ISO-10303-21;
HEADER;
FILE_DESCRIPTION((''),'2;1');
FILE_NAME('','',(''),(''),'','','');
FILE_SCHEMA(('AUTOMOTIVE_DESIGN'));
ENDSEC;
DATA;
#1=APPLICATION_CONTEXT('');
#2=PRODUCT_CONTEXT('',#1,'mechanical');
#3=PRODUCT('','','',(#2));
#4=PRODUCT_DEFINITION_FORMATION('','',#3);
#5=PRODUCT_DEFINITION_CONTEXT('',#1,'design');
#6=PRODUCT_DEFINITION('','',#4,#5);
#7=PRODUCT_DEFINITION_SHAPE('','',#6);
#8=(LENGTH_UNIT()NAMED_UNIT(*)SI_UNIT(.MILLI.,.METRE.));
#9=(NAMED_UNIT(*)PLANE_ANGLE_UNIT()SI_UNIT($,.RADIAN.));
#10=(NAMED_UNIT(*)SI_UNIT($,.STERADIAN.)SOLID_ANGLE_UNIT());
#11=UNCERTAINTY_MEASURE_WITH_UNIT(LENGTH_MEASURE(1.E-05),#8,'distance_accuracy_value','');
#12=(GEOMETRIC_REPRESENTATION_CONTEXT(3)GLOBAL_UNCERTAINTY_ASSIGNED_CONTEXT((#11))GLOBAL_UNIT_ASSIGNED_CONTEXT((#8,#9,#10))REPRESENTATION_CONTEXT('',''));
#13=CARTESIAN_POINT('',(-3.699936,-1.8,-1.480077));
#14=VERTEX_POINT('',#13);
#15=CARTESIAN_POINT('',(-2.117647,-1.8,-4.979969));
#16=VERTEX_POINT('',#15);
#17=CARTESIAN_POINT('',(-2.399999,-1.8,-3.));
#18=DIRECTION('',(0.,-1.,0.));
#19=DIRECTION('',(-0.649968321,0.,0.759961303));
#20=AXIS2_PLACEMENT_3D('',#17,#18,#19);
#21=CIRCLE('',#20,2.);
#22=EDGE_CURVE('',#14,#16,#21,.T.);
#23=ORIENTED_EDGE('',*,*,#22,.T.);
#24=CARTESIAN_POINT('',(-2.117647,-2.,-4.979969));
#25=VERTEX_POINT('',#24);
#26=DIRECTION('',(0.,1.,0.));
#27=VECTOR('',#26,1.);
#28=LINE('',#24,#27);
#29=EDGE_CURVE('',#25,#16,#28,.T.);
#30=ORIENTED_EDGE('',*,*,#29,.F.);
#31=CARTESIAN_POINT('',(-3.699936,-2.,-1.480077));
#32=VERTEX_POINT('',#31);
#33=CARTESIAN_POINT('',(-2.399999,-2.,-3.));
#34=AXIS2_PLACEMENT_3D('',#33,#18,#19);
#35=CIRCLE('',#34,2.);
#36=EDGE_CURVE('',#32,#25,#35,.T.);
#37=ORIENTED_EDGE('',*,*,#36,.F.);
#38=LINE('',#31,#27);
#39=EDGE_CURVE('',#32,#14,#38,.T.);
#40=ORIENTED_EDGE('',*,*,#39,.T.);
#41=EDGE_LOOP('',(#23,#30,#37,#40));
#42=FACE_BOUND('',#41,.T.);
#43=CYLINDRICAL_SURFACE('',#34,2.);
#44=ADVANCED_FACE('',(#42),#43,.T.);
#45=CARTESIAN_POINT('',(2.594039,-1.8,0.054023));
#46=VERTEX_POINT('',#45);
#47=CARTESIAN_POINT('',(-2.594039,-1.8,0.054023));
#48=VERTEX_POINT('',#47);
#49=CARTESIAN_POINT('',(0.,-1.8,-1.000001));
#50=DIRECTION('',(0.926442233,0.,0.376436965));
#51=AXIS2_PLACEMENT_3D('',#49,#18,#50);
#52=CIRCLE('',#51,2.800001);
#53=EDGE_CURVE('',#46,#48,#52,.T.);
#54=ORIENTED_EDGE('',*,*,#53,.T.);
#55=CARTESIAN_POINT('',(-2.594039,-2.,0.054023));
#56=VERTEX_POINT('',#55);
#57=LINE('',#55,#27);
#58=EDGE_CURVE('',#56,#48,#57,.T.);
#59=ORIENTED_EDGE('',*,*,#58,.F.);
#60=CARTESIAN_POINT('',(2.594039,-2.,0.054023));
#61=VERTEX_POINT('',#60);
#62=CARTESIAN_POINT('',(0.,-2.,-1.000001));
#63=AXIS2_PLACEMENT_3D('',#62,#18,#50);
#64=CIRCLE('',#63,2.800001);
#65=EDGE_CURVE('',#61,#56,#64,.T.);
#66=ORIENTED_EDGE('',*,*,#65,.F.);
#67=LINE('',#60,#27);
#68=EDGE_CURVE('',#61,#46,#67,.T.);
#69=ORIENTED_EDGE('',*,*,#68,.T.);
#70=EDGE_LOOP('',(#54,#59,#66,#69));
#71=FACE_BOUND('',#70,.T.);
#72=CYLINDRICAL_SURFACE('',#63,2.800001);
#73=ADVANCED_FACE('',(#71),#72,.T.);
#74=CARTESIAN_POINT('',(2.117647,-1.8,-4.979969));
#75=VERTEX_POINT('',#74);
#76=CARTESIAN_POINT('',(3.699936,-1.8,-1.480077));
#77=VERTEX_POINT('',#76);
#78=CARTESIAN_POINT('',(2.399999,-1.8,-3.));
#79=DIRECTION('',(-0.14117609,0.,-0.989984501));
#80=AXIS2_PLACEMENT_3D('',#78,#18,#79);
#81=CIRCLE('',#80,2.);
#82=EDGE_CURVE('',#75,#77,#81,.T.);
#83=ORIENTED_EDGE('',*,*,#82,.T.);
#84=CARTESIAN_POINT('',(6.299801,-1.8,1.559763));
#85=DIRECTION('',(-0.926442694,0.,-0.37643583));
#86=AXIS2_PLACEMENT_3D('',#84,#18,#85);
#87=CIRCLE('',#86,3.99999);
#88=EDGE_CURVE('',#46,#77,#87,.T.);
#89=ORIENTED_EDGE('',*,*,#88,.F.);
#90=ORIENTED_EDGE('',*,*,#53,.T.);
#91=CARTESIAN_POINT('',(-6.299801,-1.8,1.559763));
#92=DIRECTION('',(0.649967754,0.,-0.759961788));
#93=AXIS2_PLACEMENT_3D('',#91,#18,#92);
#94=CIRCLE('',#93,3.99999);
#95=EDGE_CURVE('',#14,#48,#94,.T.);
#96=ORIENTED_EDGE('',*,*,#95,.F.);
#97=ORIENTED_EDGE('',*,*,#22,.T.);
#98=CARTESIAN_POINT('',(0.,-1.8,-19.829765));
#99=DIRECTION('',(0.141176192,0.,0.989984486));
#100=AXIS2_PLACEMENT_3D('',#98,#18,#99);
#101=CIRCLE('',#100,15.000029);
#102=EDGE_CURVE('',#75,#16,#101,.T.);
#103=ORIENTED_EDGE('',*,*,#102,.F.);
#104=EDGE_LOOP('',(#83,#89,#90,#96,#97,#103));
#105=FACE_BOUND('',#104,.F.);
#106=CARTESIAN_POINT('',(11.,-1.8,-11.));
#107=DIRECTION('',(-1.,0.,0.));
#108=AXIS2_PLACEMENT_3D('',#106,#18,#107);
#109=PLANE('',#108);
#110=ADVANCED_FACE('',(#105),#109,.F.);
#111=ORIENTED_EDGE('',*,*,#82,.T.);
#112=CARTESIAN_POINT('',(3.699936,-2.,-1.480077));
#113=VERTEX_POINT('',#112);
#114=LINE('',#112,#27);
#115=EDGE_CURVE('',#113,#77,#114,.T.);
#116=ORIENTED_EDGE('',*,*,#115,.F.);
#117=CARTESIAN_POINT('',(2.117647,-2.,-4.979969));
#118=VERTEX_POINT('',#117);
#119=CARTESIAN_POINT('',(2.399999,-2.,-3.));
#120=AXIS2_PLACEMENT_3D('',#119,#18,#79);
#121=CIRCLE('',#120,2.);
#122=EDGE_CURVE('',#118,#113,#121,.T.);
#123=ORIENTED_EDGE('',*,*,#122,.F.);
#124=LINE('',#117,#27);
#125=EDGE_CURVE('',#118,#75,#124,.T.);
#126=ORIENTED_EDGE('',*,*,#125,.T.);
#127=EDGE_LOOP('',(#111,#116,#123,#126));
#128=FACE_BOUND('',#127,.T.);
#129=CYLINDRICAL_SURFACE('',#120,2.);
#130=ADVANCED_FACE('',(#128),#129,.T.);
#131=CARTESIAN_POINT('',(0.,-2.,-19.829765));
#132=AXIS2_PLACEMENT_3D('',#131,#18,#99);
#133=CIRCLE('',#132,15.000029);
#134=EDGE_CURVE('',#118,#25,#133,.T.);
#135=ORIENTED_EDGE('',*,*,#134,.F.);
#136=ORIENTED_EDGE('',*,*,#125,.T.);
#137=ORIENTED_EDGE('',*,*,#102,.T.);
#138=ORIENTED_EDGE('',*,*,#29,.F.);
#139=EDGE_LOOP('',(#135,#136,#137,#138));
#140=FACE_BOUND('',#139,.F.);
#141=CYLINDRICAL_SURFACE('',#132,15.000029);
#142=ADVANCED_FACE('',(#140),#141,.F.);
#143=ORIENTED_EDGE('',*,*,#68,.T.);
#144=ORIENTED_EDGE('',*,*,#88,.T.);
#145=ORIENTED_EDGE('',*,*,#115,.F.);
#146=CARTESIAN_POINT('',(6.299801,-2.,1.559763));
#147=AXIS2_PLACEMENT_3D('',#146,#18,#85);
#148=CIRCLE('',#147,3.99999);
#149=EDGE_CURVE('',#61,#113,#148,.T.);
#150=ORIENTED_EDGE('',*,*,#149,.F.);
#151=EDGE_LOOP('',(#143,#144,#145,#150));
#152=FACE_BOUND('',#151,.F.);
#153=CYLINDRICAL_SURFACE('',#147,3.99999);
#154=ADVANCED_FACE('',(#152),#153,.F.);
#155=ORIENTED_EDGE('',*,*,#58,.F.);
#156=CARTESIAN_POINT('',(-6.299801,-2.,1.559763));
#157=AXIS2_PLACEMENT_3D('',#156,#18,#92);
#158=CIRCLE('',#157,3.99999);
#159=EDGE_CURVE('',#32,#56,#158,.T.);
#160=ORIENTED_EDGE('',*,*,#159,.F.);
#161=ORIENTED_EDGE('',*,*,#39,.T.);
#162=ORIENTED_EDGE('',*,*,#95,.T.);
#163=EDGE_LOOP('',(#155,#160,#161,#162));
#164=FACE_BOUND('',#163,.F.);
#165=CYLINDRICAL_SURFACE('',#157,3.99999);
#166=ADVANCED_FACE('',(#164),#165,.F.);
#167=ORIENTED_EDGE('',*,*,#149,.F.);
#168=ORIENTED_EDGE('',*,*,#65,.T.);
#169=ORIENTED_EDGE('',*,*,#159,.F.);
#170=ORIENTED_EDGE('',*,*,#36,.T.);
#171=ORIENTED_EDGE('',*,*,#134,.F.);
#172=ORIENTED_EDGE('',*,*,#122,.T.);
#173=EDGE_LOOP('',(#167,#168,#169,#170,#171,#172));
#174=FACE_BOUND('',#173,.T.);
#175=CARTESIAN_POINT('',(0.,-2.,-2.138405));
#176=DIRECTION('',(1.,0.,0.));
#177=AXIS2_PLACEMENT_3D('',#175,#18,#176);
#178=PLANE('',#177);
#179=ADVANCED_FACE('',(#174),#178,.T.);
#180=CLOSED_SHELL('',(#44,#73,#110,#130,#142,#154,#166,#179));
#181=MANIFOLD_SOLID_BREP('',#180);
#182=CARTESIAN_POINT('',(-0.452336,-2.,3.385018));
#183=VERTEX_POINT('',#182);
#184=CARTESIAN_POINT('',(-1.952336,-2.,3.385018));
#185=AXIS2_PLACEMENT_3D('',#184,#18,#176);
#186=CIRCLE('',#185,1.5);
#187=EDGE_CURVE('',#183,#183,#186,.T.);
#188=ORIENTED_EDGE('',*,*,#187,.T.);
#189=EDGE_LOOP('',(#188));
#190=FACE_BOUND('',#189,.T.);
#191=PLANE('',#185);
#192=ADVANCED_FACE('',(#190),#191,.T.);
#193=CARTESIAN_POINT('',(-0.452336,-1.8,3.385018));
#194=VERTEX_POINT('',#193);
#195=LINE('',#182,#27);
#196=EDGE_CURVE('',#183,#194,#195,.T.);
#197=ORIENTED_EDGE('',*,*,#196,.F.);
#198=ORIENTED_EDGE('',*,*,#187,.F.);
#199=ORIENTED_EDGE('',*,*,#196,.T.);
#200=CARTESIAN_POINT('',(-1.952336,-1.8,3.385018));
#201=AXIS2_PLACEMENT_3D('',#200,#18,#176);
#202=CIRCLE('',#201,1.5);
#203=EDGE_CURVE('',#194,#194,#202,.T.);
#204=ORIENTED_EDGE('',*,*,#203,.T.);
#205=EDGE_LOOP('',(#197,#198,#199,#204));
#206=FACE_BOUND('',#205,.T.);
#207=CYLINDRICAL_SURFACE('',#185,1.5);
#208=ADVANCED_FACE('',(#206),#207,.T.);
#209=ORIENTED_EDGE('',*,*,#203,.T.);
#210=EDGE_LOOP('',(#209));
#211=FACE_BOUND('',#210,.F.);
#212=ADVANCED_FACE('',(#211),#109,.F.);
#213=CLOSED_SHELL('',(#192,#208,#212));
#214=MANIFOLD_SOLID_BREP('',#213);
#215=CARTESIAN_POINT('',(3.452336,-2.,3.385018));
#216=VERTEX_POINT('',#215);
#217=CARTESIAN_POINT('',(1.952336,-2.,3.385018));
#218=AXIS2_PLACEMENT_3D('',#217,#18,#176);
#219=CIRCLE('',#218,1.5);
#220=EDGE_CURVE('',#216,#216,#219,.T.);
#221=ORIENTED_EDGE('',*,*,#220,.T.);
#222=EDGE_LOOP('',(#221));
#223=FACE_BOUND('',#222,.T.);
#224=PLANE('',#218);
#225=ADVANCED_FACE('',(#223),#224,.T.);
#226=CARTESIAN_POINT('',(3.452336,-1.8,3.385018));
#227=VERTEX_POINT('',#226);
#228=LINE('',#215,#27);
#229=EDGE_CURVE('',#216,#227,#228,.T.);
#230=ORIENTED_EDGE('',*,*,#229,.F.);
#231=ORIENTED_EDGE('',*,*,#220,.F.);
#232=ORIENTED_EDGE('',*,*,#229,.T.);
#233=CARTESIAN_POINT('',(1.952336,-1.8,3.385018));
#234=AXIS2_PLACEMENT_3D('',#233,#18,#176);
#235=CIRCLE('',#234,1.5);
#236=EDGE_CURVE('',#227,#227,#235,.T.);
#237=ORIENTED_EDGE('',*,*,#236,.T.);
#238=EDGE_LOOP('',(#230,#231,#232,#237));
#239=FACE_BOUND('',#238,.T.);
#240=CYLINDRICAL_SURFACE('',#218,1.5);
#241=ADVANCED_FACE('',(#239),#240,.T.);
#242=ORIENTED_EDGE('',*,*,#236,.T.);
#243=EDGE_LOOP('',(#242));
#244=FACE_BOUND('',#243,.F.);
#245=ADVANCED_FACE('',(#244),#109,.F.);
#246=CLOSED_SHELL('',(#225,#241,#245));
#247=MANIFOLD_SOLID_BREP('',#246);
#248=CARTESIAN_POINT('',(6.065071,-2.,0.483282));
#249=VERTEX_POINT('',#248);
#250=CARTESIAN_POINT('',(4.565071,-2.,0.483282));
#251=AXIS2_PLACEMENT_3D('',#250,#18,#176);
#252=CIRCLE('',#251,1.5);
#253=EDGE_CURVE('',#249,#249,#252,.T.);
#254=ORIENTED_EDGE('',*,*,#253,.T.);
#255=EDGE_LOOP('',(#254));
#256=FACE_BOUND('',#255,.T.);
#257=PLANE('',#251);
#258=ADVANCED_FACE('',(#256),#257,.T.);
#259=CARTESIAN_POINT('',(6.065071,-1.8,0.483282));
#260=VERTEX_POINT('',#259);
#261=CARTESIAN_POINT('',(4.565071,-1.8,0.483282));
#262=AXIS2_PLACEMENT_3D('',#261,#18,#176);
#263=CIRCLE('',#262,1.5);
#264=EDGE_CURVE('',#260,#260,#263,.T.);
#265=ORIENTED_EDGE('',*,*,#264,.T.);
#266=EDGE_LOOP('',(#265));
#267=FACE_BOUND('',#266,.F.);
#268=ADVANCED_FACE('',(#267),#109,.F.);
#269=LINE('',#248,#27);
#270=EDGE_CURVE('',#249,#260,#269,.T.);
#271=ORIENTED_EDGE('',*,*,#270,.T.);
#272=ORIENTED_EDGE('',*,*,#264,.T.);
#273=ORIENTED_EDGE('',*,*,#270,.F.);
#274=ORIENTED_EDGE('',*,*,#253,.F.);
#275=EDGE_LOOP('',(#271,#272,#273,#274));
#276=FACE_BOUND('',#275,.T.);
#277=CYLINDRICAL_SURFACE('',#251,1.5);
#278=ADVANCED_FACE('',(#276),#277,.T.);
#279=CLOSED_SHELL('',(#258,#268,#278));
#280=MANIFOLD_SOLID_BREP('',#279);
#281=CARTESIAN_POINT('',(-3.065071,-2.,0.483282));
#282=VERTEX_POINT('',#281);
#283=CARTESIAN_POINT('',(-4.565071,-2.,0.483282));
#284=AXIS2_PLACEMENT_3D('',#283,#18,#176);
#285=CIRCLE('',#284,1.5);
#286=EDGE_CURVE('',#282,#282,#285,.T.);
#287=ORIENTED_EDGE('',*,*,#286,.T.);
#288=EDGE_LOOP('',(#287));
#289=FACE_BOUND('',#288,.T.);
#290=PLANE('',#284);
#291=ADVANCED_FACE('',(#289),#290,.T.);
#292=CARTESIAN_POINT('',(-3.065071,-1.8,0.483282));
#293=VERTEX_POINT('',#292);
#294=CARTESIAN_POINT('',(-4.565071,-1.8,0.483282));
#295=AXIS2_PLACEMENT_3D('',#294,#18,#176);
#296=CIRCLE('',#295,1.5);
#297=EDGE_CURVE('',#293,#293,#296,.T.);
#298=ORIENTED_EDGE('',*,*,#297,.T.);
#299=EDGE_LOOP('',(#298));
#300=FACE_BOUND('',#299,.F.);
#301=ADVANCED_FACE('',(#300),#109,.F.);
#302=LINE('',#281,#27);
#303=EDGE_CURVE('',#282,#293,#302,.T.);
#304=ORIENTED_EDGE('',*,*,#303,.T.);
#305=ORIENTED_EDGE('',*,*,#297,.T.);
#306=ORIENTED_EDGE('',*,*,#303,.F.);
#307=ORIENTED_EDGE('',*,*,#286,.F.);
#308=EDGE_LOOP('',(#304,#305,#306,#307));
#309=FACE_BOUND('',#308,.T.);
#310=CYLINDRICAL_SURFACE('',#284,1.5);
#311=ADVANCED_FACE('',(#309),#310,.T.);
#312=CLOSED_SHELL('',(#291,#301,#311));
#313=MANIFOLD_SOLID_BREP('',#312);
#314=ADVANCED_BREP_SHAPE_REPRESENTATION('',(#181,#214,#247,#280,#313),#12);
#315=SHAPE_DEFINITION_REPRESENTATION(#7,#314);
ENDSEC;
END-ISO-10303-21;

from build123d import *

# Parameters (mm, degrees)
BOX007_W     = 22
BOX007_H     = 1.8
BOX007_DEPTH = 22
BOX006_W     = 20
BOX006_H     = 20
BOX006_DEPTH = 1.8
SKETCH038_R  = 1.5
PAD011_DEPTH = 0.2


with BuildPart() as cube001:
    # Box007 → Box007 (new body)
    with BuildSketch(Plane(origin=(11, 0, -11), x_dir=(-1, 0, 0), z_dir=(0, 0, 1))):
        with Locations((11, 0.9)):
            Rectangle(BOX007_W, BOX007_H)
    extrude(amount=BOX007_DEPTH)


with BuildPart() as beans001:
    # Box006 → Box006 (join)
    with BuildSketch(Plane(origin=(-10, 0, -10), x_dir=(1, 0, 0), z_dir=(0, -1, 0))):
        with Locations((10, 10)):
            Rectangle(BOX006_W, BOX006_H)
    extrude(amount=BOX006_DEPTH)

    # Sketch038 → Pad011 (join)
    with BuildSketch(Plane(origin=(0, -2, -1), x_dir=(1, 0, 0), z_dir=(0, -1, 0))):
        with Locations((-4.565071, 1.483282)):
            Circle(SKETCH038_R)
        with Locations((4.565071, 1.483282)):
            Circle(SKETCH038_R)
        with Locations((-1.952336, 4.385018)):
            Circle(SKETCH038_R)
        with Locations((1.952336, 4.385018)):
            Circle(SKETCH038_R)
        with BuildLine():
            ThreePointArc((2.594039, 1.054023), (0, 2.8), (-2.594039, 1.054023))
            ThreePointArc((-3.699936, -0.480077), (-3.055021, 0.220676), (-2.594039, 1.054023))
            ThreePointArc((-3.699936, -0.480077), (-4.22241, -2.823905), (-2.117647, -3.979969))
            ThreePointArc((2.117647, -3.979969), (0, -3.829736), (-2.117647, -3.979969))
            ThreePointArc((2.117647, -3.979969), (4.22241, -2.823905), (3.699936, -0.480077))
            ThreePointArc((2.594039, 1.054023), (3.055021, 0.220676), (3.699936, -0.480077))
        make_face()
    extrude(amount=-PAD011_DEPTH)

    # Cut002: cut Cube001
    add(cube001.part, mode=Mode.SUBTRACT)


solid = beans001.part
